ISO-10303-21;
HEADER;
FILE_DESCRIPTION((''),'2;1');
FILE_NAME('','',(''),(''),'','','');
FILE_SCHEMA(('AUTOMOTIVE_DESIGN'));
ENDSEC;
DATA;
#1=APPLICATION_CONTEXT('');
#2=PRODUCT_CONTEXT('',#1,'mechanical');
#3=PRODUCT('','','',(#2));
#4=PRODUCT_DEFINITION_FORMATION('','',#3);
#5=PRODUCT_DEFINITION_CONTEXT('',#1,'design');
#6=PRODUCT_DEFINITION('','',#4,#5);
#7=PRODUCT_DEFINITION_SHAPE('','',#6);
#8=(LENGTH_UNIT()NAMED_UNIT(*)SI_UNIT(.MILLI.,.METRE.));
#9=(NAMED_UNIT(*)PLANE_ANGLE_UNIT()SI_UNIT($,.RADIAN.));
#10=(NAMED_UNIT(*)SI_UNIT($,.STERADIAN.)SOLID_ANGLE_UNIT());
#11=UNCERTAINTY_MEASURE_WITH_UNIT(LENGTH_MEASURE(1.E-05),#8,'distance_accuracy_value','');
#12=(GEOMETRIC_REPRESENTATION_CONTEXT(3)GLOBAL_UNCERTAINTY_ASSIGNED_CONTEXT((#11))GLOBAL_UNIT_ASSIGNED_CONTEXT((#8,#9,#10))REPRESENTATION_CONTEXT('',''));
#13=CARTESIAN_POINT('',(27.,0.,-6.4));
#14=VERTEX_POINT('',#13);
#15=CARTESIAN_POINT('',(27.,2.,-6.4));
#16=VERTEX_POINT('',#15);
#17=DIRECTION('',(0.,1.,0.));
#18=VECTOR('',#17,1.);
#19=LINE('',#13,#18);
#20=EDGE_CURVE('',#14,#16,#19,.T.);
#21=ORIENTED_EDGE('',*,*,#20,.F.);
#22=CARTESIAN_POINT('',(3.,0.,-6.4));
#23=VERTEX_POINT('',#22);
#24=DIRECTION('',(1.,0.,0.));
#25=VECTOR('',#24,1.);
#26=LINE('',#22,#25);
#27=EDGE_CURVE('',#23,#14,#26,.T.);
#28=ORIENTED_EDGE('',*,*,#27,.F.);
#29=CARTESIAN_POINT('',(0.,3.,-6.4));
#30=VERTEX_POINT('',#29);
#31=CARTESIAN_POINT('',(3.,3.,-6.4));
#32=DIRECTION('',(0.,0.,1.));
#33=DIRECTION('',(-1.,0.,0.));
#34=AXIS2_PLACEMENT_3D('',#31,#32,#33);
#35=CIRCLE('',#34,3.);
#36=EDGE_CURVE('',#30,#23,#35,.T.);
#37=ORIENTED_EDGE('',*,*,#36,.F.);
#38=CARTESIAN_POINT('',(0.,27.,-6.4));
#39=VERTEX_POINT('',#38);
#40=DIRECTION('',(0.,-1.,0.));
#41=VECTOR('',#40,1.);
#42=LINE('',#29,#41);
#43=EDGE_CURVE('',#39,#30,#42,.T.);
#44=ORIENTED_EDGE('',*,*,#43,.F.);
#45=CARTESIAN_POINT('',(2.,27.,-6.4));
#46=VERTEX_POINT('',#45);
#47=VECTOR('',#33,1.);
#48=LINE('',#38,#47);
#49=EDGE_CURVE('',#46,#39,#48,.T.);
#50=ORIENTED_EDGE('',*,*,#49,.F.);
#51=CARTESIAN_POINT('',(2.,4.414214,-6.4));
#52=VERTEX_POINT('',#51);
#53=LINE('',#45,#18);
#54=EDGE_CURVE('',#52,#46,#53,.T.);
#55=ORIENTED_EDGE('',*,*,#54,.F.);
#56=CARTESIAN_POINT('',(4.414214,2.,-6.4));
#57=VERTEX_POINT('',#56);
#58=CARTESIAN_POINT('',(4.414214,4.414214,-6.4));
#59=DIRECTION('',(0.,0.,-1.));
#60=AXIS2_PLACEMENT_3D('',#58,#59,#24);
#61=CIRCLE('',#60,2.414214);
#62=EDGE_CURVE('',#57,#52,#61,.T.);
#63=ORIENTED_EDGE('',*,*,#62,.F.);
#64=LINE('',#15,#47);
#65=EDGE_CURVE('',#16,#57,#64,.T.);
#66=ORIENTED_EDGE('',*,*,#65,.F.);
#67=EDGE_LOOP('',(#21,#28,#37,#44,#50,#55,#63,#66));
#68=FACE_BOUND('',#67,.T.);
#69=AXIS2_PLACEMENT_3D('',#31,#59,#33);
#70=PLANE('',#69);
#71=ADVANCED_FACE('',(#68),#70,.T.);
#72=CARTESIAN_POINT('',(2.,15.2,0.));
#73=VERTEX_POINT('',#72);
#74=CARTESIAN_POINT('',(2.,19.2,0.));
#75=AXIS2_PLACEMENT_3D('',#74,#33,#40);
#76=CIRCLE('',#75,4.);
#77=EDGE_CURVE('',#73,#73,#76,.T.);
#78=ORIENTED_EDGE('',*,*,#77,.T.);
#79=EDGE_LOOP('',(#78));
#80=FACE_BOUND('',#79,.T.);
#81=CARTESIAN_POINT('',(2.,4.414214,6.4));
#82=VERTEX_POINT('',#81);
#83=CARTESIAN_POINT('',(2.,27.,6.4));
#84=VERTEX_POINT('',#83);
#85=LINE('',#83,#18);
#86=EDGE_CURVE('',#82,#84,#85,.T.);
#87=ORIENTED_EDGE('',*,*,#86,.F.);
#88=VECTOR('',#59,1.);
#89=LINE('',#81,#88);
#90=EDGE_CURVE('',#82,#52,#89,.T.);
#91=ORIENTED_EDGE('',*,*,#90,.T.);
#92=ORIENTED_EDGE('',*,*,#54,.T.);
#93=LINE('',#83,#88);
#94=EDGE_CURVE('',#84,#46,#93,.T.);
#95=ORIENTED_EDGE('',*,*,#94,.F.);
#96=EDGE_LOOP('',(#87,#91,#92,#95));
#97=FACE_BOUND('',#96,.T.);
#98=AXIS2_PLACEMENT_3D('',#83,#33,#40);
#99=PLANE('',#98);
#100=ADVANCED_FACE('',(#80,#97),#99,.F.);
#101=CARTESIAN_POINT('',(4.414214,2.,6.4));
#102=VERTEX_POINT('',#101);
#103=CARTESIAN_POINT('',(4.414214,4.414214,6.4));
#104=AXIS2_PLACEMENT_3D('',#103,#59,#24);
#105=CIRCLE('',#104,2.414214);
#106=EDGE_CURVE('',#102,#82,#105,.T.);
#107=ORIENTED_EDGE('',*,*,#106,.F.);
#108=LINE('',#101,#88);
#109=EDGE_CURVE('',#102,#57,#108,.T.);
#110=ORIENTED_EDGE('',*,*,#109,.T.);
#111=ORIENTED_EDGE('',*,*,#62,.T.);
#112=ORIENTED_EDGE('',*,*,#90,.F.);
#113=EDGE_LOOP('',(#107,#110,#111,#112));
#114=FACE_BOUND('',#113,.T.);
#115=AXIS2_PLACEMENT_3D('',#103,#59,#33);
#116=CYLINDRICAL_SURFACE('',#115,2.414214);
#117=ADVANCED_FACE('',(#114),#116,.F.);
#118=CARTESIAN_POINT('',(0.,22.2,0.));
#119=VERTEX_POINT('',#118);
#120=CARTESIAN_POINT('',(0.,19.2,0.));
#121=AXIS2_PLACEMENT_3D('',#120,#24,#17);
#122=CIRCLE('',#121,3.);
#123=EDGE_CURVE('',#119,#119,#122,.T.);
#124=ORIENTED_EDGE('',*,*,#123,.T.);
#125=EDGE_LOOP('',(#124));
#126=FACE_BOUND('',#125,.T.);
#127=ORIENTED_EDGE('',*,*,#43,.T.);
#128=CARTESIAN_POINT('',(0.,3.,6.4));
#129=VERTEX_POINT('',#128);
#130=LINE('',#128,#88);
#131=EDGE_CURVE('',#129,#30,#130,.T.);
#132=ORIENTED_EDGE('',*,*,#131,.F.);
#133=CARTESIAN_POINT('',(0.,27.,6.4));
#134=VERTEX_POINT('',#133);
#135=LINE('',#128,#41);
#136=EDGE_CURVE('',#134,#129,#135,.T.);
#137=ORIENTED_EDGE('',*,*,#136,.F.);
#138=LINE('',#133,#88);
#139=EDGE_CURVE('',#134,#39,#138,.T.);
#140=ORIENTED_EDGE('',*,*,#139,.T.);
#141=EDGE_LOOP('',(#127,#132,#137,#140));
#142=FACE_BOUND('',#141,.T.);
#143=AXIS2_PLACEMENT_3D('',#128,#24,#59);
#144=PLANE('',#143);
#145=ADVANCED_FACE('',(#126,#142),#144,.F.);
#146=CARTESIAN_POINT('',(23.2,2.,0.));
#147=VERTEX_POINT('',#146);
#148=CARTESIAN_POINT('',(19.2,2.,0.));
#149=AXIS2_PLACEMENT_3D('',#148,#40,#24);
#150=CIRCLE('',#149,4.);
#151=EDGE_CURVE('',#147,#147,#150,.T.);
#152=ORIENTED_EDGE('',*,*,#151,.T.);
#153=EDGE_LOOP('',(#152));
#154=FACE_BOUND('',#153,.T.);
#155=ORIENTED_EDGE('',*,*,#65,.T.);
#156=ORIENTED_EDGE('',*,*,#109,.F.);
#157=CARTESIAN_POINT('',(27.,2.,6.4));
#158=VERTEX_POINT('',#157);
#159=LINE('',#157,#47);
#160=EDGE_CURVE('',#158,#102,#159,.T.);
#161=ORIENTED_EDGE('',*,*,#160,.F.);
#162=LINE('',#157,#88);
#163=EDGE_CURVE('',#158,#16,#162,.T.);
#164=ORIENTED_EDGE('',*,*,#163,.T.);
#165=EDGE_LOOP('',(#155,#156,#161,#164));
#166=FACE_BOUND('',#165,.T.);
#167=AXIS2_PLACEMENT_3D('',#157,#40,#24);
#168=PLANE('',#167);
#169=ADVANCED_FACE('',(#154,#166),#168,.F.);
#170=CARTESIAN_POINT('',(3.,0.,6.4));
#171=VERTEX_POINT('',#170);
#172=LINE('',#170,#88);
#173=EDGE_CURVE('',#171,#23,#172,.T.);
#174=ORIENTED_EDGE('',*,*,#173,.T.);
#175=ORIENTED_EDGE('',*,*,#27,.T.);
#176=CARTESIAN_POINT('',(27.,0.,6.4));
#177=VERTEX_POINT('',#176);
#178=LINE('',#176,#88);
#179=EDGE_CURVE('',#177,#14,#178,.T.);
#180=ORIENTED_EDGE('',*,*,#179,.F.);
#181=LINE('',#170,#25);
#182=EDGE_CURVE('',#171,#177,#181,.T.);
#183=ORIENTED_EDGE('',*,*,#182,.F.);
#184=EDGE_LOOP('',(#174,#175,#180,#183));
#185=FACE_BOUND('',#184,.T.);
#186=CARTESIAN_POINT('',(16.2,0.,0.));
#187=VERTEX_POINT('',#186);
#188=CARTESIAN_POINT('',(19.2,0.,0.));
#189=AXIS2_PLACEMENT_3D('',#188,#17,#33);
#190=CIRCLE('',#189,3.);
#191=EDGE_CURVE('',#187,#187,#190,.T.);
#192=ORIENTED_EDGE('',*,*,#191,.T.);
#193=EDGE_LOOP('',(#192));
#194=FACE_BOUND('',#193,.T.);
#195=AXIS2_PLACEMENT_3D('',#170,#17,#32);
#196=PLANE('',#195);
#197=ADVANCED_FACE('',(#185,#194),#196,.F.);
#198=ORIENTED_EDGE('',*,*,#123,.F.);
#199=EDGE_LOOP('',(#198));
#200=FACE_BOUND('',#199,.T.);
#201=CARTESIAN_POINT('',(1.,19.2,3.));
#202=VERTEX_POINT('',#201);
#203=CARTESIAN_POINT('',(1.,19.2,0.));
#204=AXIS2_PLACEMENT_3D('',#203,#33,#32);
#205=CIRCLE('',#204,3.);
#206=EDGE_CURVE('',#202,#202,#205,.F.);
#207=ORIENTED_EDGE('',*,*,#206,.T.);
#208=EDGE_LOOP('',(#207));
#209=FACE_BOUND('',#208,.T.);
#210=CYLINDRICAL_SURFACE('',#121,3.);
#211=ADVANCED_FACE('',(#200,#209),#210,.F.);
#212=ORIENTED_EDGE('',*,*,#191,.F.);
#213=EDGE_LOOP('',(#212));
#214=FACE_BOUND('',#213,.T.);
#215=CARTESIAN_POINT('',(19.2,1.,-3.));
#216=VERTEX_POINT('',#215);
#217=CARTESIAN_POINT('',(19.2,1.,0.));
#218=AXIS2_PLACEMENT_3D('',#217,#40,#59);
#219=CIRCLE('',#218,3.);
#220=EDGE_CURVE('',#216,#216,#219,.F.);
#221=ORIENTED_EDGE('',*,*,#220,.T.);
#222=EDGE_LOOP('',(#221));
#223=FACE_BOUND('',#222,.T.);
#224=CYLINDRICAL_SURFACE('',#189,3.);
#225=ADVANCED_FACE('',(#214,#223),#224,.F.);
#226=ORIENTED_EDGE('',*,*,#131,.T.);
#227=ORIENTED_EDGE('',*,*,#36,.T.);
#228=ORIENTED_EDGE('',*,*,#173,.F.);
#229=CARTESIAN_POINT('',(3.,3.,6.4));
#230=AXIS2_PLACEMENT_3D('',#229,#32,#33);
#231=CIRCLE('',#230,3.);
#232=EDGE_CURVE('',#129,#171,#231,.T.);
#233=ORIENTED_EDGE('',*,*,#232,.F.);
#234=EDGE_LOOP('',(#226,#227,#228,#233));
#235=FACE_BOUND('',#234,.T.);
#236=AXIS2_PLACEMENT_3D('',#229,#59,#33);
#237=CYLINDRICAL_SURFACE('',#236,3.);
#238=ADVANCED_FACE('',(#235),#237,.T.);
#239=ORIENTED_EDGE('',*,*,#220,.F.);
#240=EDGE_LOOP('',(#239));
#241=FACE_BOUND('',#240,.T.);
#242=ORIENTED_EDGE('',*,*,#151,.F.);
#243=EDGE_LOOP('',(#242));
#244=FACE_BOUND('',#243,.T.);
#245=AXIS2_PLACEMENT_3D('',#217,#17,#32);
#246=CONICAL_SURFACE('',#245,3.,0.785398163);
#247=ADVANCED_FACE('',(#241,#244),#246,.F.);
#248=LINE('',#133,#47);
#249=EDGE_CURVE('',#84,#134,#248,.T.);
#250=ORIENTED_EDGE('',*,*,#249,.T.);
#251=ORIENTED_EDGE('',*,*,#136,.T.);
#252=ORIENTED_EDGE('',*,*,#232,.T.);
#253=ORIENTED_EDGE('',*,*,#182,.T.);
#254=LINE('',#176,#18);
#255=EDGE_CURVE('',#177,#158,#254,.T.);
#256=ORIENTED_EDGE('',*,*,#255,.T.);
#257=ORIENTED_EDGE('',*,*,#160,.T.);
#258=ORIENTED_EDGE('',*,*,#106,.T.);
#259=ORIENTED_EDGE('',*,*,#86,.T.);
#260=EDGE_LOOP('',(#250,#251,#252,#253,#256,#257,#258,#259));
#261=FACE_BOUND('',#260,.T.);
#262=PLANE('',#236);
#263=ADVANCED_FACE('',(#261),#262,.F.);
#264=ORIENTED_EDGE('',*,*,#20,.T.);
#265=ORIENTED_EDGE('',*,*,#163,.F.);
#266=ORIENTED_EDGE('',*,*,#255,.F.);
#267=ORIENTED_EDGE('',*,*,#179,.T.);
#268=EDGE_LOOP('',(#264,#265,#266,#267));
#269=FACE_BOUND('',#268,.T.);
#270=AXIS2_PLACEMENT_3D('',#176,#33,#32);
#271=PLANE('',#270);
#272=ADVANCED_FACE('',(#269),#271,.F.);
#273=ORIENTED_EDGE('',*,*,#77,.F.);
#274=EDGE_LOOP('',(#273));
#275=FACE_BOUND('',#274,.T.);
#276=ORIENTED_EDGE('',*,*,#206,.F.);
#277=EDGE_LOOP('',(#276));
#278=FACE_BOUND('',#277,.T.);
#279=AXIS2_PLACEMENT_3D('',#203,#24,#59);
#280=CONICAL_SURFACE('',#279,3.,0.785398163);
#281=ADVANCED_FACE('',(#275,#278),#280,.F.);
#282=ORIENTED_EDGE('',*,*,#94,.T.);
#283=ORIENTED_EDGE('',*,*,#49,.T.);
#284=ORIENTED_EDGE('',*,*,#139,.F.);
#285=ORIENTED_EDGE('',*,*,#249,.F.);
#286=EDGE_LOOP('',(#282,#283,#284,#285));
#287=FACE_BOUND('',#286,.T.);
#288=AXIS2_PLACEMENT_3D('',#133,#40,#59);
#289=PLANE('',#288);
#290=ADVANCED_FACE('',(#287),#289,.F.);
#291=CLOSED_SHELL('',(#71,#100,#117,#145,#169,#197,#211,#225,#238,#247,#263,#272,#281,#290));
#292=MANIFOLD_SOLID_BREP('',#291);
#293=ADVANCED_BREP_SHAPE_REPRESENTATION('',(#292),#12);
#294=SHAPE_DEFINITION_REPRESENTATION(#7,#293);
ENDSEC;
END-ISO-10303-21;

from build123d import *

# Parameters (mm, degrees)
BOSS_EXTRUDE1_DEPTH = 6.4
SKETCH2_R           = 3
CUT_EXTRUDE1_DEPTH  = 3
SKETCH3_R           = 3
CUT_EXTRUDE2_DEPTH  = 3
CHAMFER1_SIZE       = 1


with BuildPart() as part:
    # Sketch1 → Boss-Extrude1 (new body, symmetric)
    with BuildSketch(Plane.XY):
        with BuildLine():
            Line((3, 0), (27, 0))
            Line((27, 0), (27, 2))
            Line((27, 2), (4.414213562, 2))
            ThreePointArc((4.414213562, 2), (2.707106781, 2.707106781), (2, 4.414213562))
            Line((2, 4.414213562), (2, 27))
            Line((2, 27), (0, 27))
            Line((0, 27), (0, 3))
            ThreePointArc((0, 3), (0.878679656, 0.878679656), (3, 0))
        make_face()
    extrude(amount=BOSS_EXTRUDE1_DEPTH, both=True)

    # Sketch2 → Cut-Extrude1 (cut, through all)
    with BuildSketch(Plane(origin=(0, 2, 0), x_dir=(1, 0, 0), z_dir=(0, 1, 0))):
        with Locations((19.2, 0)):
            Circle(SKETCH2_R)
    extrude(amount=-CUT_EXTRUDE1_DEPTH, mode=Mode.SUBTRACT)

    # Sketch3 → Cut-Extrude2 (cut, through all)
    with BuildSketch(Plane(origin=(2, 0, 0), x_dir=(0, 0, -1), z_dir=(1, 0, 0))):
        with Locations((0, 19.2)):
            Circle(SKETCH3_R)
    extrude(amount=-CUT_EXTRUDE2_DEPTH, mode=Mode.SUBTRACT)

    # Chamfer1
    chamfer1_edges = [part.edges().sort_by_distance(p)[0] for p in [
        (16.2, 2, 0),
        (2, 19.2, 3),
    ]]
    chamfer(chamfer1_edges, length=CHAMFER1_SIZE)


solid = part.part
